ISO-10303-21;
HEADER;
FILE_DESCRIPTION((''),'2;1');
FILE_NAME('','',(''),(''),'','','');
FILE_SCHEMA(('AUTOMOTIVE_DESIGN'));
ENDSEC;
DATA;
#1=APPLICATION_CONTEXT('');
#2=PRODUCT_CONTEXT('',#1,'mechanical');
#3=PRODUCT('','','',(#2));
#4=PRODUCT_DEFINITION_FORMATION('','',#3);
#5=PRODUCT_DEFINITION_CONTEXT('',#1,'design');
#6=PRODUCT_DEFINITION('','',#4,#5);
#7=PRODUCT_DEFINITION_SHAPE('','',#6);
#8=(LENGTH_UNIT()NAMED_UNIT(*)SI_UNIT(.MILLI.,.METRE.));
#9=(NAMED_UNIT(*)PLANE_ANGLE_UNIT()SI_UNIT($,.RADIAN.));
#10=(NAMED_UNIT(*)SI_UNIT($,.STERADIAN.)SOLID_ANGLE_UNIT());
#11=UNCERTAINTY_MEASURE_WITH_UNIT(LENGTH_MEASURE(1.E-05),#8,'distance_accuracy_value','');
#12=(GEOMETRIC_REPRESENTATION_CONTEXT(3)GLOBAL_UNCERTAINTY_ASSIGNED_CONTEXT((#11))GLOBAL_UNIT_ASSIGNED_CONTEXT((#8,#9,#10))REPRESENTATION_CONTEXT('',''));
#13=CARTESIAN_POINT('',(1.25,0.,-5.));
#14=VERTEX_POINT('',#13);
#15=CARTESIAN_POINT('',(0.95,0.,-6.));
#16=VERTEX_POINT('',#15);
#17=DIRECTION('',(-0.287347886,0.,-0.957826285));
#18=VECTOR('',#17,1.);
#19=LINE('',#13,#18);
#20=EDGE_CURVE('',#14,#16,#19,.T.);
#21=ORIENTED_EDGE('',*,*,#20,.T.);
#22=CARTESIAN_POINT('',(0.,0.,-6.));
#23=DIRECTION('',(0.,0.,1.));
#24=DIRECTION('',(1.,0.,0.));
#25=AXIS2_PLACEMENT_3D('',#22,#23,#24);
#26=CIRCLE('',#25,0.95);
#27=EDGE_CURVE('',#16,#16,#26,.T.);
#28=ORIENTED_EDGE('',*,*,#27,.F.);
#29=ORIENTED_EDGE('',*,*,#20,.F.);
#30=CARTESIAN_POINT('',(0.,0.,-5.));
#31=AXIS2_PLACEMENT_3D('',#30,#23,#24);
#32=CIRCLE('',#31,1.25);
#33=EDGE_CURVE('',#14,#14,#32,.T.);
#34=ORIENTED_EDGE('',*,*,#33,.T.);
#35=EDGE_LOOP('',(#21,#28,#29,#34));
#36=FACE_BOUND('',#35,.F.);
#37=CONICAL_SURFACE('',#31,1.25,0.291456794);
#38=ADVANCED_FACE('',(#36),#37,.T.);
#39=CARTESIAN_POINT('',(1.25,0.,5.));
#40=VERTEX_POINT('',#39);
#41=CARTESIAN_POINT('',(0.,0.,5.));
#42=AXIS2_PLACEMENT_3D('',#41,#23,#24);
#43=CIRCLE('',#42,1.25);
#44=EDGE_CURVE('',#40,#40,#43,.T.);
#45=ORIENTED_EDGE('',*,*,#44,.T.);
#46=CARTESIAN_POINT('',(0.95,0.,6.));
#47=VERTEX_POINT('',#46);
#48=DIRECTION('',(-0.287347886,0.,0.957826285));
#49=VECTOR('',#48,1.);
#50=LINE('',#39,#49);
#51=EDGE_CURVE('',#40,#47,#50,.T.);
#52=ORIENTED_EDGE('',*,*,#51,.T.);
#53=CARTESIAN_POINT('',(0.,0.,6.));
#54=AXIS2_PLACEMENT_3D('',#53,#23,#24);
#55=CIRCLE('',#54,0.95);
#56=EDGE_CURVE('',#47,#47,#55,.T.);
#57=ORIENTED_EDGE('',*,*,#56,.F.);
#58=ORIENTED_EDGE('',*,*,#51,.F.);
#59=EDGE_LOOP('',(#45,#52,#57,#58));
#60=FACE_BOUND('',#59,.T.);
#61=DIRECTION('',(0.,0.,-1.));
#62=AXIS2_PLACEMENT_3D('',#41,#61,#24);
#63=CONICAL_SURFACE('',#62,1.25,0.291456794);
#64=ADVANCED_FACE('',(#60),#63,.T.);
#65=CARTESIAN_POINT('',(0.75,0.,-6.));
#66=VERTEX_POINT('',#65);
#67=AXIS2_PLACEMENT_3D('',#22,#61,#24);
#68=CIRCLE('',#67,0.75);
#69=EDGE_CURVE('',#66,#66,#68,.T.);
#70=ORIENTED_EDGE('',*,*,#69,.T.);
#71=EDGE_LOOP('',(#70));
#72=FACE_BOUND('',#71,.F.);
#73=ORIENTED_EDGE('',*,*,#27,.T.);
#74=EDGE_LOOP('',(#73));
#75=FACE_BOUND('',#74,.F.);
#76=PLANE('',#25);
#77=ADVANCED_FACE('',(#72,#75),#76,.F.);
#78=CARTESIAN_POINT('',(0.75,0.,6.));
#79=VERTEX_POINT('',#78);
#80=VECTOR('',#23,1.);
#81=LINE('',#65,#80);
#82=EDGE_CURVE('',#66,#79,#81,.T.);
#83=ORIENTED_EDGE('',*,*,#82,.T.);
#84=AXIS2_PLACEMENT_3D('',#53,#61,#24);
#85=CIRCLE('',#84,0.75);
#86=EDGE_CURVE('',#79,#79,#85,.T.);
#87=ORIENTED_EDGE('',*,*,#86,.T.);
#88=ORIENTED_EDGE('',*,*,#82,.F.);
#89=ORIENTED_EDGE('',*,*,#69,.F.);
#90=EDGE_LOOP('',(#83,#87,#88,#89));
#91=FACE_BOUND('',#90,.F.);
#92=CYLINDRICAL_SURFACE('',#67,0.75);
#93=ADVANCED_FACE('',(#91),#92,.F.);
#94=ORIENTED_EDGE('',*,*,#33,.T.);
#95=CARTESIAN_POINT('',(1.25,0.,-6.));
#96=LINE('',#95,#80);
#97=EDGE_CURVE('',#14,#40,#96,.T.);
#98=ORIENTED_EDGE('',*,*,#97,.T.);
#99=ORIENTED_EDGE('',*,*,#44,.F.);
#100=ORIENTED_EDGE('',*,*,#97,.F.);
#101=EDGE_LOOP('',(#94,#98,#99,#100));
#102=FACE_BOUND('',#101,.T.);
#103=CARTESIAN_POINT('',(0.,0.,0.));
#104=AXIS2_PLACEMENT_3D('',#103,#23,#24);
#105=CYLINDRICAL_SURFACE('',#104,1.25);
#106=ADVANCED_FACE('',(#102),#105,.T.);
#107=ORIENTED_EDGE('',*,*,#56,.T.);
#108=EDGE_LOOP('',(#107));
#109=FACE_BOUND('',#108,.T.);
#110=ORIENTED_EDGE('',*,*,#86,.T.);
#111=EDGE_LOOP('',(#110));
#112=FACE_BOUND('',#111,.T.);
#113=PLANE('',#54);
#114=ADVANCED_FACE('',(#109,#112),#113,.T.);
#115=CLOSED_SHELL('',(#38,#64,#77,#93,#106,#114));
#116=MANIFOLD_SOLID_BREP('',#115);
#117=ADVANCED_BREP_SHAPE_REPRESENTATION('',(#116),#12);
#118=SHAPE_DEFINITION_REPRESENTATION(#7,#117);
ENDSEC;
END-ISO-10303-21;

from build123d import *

# Parameters (mm, degrees)
F0_R     = 1.25
F1_DEPTH = 6
F2_R     = 0.75
F3_DEPTH = 12
F4_SIZE2 = 0.3
F4_SIZE  = 1


with BuildPart() as f1:
    # F0 (on Top) → F1 (new body, symmetric)
    with BuildSketch(Plane.XY):
        Circle(F0_R)
    extrude(amount=F1_DEPTH, both=True)

    # F2 (on face) → F3 (cut, through all)
    with BuildSketch(Plane(origin=(0, 0, -6), x_dir=(1, 0, 0), z_dir=(0, 0, -1))):
        Circle(F2_R)
    extrude(amount=-F3_DEPTH, mode=Mode.SUBTRACT)

    # F4
    f4_edges = [f1.edges().sort_by_distance(p)[0] for p in [
        (-1.25, 0, -6),
        (-1.25, 0, 6),
    ]]
    chamfer(f4_edges, length=F4_SIZE, length2=F4_SIZE2)


solid = f1.part
